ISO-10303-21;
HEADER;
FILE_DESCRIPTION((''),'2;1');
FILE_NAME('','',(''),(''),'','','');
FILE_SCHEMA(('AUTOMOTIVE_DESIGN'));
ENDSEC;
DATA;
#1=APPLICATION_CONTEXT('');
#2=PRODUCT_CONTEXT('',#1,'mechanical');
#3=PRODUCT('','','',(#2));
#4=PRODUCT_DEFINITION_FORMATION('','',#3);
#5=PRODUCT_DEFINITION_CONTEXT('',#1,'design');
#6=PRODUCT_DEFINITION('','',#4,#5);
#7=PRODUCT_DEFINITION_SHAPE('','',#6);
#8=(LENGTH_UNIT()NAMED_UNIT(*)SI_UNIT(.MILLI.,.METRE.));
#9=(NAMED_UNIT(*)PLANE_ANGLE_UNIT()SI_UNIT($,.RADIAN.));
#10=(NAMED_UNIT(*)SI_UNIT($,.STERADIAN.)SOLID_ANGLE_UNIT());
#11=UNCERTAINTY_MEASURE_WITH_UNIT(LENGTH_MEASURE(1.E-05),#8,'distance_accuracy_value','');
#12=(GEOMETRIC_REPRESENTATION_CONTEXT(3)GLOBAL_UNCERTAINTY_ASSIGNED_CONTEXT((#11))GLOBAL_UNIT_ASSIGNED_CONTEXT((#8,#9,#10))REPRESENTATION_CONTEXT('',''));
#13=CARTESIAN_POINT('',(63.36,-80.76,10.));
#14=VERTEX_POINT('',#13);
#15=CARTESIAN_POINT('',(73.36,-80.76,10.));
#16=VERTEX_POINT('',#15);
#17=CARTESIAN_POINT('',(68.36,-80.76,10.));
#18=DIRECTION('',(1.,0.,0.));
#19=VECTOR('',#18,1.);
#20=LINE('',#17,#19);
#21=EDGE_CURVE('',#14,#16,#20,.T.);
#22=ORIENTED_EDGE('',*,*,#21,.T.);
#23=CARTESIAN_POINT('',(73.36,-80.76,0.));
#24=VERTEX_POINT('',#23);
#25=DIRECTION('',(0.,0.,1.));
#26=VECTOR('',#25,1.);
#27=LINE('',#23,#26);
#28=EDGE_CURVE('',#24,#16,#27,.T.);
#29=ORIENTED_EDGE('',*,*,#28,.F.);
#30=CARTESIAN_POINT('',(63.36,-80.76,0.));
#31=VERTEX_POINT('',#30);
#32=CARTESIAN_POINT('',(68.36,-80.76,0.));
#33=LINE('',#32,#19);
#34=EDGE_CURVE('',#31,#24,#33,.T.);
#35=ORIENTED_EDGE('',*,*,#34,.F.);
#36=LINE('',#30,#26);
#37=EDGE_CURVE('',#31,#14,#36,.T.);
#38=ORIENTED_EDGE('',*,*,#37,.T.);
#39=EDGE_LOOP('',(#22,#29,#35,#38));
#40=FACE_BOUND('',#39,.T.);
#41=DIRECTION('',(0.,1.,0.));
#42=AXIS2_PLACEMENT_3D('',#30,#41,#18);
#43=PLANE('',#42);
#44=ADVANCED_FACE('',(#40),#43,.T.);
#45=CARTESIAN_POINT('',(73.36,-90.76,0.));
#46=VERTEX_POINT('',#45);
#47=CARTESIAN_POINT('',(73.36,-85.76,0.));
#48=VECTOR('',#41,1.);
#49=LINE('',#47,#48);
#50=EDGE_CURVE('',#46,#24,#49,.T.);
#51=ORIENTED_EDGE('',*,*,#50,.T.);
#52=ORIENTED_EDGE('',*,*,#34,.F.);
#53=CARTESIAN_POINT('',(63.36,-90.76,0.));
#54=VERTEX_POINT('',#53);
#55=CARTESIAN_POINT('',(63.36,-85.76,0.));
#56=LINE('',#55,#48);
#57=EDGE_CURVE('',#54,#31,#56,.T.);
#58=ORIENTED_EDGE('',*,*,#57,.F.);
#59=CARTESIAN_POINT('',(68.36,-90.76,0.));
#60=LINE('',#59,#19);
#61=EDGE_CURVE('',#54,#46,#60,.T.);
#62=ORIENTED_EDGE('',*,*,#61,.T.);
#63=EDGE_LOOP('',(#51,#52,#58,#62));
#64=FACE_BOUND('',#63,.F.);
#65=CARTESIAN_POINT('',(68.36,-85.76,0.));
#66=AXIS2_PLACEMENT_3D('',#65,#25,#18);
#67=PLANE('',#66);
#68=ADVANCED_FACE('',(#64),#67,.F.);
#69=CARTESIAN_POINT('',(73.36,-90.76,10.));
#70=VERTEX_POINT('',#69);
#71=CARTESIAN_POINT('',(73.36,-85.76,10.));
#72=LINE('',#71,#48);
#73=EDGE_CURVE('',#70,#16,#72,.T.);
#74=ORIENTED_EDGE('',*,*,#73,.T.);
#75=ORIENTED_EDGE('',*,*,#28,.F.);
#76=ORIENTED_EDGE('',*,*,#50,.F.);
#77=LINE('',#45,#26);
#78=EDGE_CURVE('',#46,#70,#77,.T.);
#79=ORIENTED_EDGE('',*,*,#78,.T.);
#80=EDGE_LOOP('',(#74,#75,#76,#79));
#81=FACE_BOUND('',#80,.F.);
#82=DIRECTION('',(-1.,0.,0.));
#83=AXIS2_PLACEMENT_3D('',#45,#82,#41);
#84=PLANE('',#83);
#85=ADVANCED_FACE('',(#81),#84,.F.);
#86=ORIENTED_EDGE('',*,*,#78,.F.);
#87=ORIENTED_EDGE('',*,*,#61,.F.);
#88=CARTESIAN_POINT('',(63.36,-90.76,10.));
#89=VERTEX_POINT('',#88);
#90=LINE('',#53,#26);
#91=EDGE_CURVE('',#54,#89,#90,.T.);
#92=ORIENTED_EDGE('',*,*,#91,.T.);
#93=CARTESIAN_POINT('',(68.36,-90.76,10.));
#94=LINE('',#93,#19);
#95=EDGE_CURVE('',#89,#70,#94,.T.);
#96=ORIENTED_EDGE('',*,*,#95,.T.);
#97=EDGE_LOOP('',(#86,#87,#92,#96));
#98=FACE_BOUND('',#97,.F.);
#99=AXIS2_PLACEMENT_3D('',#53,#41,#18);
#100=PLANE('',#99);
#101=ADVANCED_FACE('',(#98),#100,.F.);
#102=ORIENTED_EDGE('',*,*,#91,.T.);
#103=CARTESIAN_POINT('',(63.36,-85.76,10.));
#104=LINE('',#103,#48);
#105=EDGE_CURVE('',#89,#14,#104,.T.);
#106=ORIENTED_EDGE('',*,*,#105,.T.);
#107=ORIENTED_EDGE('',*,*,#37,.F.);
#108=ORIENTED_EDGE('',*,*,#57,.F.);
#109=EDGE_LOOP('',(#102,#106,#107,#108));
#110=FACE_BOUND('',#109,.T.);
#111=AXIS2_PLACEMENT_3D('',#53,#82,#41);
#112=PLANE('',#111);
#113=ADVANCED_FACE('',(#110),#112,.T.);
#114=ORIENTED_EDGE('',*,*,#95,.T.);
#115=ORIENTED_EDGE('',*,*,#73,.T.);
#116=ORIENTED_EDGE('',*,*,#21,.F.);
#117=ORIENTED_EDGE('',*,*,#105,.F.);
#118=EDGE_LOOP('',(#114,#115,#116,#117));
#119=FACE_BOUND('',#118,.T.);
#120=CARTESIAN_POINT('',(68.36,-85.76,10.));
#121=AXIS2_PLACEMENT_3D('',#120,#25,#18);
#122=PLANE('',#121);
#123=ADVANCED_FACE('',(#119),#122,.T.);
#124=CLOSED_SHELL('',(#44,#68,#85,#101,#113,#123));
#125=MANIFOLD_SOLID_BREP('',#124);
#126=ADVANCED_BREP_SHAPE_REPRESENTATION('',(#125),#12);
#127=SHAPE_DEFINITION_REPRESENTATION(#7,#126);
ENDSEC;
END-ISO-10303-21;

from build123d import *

# Parameters (mm, degrees)
BOX_W     = 10
BOX_H     = 10
BOX_DEPTH = 10


with BuildPart() as part:
    # Box → Box (new body)
    with BuildSketch(Plane(origin=(63.36, -90.76, 0), x_dir=(1, 0, 0), z_dir=(0, 0, 1))):
        with Locations((5, 5)):
            Rectangle(BOX_W, BOX_H)
    extrude(amount=BOX_DEPTH)


solid = part.part
